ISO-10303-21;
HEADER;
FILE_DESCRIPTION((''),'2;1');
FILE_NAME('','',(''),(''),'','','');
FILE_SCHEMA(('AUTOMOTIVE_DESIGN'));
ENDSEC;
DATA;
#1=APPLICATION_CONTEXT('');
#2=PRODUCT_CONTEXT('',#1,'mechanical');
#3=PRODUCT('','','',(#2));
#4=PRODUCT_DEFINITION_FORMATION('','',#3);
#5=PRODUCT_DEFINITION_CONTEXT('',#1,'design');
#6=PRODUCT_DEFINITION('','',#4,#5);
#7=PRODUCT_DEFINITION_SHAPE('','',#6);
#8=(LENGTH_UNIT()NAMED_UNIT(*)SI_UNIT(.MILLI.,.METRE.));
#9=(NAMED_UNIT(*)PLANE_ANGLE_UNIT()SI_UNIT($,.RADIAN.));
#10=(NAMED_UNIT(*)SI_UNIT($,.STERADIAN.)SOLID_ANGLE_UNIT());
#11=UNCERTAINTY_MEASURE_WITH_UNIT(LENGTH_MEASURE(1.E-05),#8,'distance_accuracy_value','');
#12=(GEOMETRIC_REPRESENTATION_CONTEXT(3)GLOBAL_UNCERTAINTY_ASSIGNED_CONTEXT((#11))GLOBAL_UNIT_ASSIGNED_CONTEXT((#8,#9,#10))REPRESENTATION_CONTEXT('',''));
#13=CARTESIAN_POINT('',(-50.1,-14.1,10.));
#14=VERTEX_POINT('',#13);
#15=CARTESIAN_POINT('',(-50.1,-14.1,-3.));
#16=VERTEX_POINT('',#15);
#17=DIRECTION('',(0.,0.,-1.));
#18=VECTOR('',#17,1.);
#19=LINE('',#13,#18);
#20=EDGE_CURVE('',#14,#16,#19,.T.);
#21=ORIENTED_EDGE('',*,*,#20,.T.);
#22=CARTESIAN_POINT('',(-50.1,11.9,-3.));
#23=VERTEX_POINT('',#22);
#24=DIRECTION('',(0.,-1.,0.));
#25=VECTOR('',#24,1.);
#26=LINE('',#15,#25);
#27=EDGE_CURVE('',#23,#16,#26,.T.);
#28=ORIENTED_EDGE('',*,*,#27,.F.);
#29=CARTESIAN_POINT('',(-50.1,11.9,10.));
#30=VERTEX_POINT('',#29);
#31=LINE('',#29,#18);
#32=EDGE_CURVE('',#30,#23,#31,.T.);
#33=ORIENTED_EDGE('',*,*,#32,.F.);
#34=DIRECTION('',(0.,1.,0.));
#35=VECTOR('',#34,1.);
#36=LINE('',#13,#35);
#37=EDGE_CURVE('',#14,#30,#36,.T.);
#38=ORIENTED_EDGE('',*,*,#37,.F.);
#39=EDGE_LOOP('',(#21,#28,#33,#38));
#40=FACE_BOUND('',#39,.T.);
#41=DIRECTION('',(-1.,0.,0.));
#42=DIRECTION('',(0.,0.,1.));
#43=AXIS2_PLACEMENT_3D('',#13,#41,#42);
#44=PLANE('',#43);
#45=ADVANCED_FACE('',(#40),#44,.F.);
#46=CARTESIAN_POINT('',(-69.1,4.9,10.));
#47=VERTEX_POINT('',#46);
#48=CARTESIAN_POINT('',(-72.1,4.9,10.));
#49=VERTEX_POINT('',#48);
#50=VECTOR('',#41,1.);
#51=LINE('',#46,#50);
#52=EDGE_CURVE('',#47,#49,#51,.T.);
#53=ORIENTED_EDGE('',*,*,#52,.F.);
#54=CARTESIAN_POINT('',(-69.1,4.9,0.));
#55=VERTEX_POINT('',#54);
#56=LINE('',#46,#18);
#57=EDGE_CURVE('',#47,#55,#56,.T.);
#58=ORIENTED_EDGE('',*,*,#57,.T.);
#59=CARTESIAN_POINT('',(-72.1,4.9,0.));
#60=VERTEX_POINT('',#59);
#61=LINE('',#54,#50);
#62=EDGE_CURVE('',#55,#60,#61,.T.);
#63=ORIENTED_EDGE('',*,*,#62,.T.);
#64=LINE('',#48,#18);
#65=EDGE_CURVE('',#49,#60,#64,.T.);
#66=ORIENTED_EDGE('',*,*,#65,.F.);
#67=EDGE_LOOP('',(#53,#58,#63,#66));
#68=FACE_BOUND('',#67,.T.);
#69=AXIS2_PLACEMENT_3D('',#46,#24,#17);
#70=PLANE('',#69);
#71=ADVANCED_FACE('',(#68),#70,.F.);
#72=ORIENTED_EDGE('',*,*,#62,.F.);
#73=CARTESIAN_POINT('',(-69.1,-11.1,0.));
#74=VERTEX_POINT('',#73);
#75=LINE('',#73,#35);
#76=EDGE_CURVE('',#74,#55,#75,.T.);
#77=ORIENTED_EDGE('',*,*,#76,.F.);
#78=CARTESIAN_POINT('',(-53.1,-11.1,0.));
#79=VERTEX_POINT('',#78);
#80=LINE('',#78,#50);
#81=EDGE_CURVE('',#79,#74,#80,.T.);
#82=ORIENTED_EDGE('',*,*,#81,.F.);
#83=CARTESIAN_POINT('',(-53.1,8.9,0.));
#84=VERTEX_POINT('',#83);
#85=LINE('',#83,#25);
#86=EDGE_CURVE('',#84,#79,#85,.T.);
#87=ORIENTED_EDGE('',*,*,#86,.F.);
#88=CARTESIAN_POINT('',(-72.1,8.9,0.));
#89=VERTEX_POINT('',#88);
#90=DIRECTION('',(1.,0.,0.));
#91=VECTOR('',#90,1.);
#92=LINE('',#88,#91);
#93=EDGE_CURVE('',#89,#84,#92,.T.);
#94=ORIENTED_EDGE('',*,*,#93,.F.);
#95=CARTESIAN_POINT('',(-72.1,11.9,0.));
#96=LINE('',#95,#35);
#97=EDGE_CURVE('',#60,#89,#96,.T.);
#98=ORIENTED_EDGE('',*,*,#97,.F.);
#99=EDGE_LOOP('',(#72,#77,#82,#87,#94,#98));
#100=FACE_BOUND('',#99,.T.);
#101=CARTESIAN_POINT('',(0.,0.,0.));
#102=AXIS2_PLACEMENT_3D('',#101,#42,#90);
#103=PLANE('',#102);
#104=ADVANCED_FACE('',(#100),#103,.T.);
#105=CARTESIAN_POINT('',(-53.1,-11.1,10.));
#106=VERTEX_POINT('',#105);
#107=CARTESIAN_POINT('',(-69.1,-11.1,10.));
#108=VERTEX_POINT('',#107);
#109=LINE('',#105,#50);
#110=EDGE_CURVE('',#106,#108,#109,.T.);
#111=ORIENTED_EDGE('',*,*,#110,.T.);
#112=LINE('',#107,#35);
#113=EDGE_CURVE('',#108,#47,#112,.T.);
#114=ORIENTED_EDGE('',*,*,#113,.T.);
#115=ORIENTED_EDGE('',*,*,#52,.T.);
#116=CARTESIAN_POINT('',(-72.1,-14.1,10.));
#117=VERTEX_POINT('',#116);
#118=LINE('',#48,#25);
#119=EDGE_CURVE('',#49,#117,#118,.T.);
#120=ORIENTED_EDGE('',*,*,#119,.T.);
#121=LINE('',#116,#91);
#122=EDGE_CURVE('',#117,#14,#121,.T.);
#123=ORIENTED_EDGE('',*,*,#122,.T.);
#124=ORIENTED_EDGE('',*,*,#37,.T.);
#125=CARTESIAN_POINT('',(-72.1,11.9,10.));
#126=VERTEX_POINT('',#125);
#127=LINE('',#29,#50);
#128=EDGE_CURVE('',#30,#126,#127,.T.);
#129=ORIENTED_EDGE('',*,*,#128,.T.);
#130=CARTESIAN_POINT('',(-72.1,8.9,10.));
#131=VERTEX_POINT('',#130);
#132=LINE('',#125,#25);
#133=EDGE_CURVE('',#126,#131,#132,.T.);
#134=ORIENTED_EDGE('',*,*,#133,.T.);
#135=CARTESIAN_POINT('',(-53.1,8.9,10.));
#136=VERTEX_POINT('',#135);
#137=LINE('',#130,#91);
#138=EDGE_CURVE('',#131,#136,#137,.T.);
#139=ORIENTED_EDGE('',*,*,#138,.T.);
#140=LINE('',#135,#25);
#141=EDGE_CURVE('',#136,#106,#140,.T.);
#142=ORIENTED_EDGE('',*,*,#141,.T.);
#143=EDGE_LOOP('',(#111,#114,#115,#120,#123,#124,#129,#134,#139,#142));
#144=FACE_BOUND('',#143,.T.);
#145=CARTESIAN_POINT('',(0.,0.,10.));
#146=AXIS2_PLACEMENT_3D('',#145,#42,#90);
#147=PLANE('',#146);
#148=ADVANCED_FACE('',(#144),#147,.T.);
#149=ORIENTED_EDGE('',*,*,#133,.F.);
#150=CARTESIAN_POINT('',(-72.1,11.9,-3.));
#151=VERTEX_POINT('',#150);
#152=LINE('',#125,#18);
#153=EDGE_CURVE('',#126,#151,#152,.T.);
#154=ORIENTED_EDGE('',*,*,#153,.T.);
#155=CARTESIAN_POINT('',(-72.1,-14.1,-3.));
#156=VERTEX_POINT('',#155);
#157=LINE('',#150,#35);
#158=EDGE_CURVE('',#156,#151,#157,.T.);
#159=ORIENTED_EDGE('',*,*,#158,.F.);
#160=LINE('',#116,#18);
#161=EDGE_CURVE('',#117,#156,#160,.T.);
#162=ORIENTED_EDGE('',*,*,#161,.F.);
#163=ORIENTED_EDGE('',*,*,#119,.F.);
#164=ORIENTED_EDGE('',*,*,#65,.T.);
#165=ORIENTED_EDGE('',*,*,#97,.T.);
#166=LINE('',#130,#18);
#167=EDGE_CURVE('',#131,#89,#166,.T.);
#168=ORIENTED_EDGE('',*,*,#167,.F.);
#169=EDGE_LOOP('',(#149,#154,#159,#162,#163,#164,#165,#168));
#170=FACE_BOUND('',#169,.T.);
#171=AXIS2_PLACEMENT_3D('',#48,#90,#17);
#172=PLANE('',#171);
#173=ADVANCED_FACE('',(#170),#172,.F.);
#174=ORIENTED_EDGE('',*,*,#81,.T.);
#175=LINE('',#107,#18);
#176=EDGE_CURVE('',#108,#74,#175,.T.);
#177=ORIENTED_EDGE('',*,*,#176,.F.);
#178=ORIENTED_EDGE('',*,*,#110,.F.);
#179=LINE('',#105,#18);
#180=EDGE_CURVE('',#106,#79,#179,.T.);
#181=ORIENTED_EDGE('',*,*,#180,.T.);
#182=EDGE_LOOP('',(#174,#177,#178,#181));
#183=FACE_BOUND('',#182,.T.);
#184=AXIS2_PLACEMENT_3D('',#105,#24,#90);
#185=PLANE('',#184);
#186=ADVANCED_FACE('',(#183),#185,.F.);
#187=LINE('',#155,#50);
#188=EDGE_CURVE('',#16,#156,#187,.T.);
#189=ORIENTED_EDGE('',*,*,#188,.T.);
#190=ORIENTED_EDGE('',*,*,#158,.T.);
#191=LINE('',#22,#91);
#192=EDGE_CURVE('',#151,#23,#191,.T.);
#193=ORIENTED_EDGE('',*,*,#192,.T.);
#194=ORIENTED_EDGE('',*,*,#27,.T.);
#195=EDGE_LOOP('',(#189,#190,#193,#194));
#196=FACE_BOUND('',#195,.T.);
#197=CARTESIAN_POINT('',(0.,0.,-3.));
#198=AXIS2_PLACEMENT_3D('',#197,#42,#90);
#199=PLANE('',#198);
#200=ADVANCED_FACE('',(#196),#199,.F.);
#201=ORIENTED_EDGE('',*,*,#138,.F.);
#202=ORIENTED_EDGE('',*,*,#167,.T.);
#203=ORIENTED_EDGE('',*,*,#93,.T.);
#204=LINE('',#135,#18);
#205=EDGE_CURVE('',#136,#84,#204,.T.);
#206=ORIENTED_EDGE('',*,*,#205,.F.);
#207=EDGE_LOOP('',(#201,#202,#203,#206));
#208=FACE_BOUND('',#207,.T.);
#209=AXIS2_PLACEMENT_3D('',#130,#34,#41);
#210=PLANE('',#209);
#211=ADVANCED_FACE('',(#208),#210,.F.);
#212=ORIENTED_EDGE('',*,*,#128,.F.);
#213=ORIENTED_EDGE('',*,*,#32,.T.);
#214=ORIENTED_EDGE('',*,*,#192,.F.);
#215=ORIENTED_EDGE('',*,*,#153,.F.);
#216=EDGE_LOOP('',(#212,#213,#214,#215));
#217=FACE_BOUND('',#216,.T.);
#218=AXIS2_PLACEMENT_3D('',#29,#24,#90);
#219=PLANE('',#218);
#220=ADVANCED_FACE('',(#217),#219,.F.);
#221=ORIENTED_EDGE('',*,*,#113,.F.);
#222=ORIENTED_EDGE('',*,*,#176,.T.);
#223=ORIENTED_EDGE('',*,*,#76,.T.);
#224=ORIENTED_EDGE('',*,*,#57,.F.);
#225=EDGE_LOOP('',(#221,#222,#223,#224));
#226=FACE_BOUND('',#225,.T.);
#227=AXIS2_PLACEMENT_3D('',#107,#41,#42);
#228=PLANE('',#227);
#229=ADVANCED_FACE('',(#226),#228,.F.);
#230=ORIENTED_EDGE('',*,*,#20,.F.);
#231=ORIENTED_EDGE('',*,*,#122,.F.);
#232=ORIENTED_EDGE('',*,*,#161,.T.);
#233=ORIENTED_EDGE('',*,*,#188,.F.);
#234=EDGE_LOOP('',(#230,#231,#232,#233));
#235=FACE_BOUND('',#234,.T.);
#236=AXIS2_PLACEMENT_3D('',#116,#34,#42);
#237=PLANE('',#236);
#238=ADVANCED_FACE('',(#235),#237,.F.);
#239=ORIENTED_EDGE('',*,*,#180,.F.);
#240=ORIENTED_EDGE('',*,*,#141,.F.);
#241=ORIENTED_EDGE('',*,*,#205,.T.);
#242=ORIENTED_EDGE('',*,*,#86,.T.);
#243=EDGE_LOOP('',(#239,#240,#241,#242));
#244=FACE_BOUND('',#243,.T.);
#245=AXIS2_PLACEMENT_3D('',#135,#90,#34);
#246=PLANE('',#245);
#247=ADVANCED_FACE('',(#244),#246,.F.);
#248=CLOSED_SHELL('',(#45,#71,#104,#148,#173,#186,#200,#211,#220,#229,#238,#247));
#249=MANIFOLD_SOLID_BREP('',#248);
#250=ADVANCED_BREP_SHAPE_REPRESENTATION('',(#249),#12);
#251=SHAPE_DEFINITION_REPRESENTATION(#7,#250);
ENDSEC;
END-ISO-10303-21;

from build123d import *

# Parameters (mm, degrees)
BOSS_EXTRUDE1_DEPTH = 10
SKETCH2_W           = 22
SKETCH2_H           = 26
BOSS_EXTRUDE2_DEPTH = 3


with BuildPart() as part:
    # Sketch1 → Boss-Extrude1 (new body)
    with BuildSketch(Plane.XY):
        Polygon((-72.1, 8.9), (-53.1, 8.9), (-53.1, -11.1), (-69.1, -11.1), (-69.1, 4.9), (-72.1, 4.9), (-72.1, -14.1), (-50.1, -14.1), (-50.1, 11.9), (-72.1, 11.9), align=None)
    extrude(amount=BOSS_EXTRUDE1_DEPTH)

    # Sketch2 → Boss-Extrude2 (add)
    with BuildSketch(Plane(origin=(0, 0, 0), x_dir=(-1, 0, 0), z_dir=(0, 0, -1))):
        with Locations((61.1, -1.1)):
            Rectangle(SKETCH2_W, SKETCH2_H)
    extrude(amount=BOSS_EXTRUDE2_DEPTH)


solid = part.part
